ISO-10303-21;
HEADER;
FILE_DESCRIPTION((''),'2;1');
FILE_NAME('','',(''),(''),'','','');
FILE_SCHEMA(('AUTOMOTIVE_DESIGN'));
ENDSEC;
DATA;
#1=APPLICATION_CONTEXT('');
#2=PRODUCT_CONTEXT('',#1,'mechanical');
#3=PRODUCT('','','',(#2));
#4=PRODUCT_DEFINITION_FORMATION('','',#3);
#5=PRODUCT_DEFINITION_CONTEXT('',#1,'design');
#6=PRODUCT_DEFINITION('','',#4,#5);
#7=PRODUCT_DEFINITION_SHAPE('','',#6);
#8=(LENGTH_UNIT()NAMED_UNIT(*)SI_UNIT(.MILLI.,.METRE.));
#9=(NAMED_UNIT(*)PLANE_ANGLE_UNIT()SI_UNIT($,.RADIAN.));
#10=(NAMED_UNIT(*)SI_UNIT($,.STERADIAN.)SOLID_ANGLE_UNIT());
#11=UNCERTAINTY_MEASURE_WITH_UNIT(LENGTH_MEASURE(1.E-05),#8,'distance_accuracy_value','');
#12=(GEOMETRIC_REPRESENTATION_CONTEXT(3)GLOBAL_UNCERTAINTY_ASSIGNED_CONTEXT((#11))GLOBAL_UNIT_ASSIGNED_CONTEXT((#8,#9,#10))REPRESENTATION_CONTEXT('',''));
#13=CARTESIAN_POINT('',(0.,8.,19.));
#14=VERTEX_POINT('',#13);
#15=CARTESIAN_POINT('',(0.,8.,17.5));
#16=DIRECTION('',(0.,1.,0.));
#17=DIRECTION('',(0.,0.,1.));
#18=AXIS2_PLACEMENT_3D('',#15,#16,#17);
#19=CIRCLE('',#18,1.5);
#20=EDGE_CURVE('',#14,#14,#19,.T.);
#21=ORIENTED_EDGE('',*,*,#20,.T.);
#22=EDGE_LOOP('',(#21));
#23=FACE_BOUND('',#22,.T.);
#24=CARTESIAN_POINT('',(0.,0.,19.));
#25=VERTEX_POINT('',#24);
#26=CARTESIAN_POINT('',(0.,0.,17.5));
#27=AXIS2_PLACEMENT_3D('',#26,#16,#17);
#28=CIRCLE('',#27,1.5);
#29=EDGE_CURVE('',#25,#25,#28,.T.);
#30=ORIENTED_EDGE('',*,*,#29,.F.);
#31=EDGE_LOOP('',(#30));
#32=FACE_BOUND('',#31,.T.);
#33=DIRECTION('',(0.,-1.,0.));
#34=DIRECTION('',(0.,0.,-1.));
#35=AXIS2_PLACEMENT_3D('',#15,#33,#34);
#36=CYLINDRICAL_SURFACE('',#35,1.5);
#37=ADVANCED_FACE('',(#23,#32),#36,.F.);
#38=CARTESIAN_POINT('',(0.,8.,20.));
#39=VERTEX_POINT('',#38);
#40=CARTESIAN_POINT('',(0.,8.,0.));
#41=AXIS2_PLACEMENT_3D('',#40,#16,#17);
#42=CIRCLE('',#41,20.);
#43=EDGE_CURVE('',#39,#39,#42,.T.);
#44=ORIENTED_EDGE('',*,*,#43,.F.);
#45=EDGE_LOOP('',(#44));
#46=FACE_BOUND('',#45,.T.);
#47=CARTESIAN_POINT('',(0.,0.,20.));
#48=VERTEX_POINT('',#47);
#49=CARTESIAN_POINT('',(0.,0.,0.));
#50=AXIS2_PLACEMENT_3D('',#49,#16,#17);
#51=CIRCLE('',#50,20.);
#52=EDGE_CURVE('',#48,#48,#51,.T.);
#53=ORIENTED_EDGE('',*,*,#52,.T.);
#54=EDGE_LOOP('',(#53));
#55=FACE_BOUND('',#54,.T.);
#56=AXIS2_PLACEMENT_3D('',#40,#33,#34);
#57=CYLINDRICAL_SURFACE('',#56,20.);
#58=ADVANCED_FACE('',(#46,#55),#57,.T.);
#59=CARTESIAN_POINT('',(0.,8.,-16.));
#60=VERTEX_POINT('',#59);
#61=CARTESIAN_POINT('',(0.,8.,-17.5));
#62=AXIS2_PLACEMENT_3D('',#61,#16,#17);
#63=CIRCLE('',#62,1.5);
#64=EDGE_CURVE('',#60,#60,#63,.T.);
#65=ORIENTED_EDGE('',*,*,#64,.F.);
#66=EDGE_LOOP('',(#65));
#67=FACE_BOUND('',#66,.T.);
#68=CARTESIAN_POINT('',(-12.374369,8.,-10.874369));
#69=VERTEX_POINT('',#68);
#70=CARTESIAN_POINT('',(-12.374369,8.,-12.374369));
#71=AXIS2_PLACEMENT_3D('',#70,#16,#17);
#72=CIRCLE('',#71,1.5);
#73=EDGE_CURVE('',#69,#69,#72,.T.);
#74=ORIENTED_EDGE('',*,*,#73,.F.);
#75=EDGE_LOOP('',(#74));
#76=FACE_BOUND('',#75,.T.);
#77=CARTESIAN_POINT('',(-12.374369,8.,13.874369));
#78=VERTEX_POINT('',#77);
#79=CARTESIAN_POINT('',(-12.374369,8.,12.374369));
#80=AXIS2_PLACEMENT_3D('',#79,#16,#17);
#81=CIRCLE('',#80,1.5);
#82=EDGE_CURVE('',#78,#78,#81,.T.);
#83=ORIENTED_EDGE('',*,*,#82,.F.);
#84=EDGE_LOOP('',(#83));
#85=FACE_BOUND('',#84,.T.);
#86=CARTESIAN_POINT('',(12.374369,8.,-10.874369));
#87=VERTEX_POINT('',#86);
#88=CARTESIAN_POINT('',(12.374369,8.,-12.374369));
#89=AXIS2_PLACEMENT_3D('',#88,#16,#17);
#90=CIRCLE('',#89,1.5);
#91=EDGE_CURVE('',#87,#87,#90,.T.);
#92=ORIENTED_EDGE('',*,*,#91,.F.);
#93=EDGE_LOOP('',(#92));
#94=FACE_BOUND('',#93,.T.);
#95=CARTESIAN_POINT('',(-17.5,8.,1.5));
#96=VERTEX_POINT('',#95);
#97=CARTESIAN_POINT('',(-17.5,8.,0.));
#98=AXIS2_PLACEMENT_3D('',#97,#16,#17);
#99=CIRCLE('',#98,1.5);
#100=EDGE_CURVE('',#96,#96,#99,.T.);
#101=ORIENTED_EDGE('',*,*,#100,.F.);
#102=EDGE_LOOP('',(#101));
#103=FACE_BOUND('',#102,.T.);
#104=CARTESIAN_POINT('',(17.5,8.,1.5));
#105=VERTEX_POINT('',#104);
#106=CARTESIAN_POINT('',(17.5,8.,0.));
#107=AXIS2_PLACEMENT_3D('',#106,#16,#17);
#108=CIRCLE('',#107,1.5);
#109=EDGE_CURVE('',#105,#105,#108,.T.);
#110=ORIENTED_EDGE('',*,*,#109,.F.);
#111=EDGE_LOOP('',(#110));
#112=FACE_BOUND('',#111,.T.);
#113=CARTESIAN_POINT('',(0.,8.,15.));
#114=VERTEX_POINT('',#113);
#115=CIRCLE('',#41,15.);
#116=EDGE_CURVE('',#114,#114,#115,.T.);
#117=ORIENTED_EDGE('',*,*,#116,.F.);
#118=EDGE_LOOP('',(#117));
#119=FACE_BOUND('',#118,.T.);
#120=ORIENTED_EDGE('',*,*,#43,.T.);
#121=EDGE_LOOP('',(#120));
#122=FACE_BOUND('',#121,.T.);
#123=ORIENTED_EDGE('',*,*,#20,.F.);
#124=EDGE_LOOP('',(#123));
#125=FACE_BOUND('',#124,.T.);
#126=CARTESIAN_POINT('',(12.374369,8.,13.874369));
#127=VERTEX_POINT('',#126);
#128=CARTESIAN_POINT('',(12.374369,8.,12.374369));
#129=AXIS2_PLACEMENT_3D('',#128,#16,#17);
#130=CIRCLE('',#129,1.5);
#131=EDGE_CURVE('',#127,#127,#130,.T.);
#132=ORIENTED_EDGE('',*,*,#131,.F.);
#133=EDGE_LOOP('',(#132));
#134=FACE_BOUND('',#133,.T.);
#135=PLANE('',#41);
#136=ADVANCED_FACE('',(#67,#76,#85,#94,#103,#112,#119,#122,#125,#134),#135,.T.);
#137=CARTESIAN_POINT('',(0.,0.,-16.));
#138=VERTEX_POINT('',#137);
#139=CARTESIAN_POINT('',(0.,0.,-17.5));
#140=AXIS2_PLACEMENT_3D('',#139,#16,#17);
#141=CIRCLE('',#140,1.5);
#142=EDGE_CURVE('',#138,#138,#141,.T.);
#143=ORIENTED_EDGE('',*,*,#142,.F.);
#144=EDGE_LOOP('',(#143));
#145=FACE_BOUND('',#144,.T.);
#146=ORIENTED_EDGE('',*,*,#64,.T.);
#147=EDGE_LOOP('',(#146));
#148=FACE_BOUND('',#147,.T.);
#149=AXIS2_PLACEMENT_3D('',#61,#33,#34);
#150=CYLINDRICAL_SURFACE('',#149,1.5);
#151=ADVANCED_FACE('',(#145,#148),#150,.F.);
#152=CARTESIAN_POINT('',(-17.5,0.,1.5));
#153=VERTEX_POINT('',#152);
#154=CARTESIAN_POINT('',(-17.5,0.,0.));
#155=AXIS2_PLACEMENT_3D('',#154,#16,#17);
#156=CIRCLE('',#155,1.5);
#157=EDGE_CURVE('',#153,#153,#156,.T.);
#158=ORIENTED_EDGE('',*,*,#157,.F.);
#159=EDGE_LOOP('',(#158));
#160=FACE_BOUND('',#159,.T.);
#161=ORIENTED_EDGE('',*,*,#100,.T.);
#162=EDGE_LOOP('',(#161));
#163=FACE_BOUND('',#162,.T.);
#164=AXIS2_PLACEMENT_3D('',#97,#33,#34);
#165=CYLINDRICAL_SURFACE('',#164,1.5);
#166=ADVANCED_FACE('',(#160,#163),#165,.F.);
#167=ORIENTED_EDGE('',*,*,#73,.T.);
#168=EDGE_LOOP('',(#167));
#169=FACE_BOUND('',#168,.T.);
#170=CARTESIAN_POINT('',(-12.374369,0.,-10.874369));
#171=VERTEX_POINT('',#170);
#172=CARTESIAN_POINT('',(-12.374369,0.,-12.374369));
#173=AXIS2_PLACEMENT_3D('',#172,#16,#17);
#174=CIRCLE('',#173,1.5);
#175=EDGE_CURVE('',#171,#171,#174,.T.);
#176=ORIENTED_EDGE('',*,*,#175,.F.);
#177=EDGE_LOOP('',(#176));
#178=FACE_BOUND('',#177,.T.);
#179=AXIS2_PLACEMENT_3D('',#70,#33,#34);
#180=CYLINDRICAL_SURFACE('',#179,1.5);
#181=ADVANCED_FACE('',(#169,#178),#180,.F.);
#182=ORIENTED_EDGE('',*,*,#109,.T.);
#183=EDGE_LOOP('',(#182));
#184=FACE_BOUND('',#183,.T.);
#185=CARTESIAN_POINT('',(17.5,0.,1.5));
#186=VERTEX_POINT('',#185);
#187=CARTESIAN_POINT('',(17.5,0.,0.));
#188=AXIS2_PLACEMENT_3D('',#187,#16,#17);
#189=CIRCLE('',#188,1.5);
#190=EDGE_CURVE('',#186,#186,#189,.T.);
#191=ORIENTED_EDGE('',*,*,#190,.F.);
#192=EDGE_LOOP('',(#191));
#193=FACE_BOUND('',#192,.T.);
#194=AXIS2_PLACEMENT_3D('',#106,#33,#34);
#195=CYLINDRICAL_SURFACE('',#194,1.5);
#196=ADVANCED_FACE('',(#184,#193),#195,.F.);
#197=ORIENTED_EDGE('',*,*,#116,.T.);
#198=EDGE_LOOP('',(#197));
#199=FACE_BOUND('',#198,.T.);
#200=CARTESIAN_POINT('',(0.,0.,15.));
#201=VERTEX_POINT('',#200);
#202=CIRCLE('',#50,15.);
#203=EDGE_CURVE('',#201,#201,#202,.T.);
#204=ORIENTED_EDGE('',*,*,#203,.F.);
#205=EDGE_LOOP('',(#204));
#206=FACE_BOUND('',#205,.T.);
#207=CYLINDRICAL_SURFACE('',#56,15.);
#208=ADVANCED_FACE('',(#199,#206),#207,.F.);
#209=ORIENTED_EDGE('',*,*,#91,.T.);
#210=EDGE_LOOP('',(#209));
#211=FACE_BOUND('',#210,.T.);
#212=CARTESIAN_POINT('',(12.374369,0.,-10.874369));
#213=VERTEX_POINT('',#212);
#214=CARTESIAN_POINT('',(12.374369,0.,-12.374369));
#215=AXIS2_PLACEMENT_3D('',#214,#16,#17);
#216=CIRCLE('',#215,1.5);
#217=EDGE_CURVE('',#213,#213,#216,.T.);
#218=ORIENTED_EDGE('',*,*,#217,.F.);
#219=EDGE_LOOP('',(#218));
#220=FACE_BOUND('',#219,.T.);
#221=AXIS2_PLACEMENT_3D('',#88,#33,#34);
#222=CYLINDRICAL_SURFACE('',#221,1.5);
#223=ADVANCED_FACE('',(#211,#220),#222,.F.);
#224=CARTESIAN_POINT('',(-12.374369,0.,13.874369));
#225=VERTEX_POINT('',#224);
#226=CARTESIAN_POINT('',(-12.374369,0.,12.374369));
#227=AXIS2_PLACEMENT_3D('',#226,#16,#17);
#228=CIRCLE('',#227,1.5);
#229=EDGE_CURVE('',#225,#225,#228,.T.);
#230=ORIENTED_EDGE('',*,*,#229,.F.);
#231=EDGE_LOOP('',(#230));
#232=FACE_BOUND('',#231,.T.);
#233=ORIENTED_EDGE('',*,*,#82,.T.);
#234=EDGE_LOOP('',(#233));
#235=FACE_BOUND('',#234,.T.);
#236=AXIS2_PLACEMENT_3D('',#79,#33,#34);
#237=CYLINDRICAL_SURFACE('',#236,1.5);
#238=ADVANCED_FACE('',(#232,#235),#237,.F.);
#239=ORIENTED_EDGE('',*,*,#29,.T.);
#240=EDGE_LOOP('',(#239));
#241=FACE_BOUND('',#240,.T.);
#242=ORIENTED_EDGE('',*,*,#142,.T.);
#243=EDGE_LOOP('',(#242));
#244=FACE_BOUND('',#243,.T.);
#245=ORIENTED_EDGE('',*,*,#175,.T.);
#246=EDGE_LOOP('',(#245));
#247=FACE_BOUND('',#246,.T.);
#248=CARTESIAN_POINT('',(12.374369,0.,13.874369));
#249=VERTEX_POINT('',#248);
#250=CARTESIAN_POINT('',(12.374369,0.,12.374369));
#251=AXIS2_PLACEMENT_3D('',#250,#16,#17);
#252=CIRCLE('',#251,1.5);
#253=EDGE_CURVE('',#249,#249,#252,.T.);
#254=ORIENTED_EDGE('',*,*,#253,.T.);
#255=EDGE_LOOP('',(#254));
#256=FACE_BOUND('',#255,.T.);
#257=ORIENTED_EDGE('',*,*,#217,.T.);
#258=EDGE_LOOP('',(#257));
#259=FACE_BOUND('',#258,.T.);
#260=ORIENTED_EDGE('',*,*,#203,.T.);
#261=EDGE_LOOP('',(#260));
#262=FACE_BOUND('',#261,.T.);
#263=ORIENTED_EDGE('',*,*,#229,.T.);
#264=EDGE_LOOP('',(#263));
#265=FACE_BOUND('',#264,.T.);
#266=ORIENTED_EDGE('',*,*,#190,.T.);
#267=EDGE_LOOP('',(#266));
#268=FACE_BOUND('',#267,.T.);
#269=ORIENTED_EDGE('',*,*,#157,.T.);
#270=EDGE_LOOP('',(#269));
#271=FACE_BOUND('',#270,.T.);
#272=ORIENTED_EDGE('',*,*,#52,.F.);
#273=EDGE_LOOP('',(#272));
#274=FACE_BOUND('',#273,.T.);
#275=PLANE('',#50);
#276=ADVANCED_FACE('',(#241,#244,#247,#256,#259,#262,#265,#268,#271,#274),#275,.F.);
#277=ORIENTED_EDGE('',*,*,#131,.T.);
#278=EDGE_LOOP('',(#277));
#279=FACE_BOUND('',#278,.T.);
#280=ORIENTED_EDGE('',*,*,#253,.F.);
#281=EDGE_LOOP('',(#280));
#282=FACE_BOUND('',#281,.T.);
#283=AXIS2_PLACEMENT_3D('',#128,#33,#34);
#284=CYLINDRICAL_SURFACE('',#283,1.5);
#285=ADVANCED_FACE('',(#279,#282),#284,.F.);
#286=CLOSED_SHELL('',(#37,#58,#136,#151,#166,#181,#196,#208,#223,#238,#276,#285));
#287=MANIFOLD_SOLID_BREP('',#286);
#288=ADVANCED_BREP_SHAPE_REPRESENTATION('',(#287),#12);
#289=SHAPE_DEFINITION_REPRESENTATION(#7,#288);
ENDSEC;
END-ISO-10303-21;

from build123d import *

# Parameters (mm, degrees)
SKETCH_1_R      = 20
SKETCH_1_R_2    = 15
SKETCH_1_R_3    = 1.5
EXTRUDE_1_DEPTH = 8


with BuildPart() as part:
    # 草图1 → 凸台-拉伸1 (new body)
    with BuildSketch(Plane(origin=(0, 0, 0), x_dir=(1, 0, 0), z_dir=(0, 1, 0))):
        with Locations(Location((0, 0, 0), (0, 0, 270))):
            Circle(SKETCH_1_R)
        with Locations(Location((0, 0, 0), (0, 0, 270))):
            Circle(SKETCH_1_R_2, mode=Mode.SUBTRACT)
        with Locations(Location((0, 17.5, 0), (0, 0, 270))):
            Circle(SKETCH_1_R_3, mode=Mode.SUBTRACT)
        with Locations(Location((12.374368671, 12.374368671, 0), (0, 0, 270))):
            Circle(SKETCH_1_R_3, mode=Mode.SUBTRACT)
        with Locations(Location((17.5, 0, 0), (0, 0, 270))):
            Circle(SKETCH_1_R_3, mode=Mode.SUBTRACT)
        with Locations(Location((12.374368671, -12.374368671, 0), (0, 0, 270))):
            Circle(SKETCH_1_R_3, mode=Mode.SUBTRACT)
        with Locations(Location((0, -17.5, 0), (0, 0, 270))):
            Circle(SKETCH_1_R_3, mode=Mode.SUBTRACT)
        with Locations(Location((-12.374368671, -12.374368671, 0), (0, 0, 270))):
            Circle(SKETCH_1_R_3, mode=Mode.SUBTRACT)
        with Locations(Location((-17.5, 0, 0), (0, 0, 270))):
            Circle(SKETCH_1_R_3, mode=Mode.SUBTRACT)
        with Locations(Location((-12.374368671, 12.374368671, 0), (0, 0, 270))):
            Circle(SKETCH_1_R_3, mode=Mode.SUBTRACT)
    extrude(amount=EXTRUDE_1_DEPTH)


solid = part.part
